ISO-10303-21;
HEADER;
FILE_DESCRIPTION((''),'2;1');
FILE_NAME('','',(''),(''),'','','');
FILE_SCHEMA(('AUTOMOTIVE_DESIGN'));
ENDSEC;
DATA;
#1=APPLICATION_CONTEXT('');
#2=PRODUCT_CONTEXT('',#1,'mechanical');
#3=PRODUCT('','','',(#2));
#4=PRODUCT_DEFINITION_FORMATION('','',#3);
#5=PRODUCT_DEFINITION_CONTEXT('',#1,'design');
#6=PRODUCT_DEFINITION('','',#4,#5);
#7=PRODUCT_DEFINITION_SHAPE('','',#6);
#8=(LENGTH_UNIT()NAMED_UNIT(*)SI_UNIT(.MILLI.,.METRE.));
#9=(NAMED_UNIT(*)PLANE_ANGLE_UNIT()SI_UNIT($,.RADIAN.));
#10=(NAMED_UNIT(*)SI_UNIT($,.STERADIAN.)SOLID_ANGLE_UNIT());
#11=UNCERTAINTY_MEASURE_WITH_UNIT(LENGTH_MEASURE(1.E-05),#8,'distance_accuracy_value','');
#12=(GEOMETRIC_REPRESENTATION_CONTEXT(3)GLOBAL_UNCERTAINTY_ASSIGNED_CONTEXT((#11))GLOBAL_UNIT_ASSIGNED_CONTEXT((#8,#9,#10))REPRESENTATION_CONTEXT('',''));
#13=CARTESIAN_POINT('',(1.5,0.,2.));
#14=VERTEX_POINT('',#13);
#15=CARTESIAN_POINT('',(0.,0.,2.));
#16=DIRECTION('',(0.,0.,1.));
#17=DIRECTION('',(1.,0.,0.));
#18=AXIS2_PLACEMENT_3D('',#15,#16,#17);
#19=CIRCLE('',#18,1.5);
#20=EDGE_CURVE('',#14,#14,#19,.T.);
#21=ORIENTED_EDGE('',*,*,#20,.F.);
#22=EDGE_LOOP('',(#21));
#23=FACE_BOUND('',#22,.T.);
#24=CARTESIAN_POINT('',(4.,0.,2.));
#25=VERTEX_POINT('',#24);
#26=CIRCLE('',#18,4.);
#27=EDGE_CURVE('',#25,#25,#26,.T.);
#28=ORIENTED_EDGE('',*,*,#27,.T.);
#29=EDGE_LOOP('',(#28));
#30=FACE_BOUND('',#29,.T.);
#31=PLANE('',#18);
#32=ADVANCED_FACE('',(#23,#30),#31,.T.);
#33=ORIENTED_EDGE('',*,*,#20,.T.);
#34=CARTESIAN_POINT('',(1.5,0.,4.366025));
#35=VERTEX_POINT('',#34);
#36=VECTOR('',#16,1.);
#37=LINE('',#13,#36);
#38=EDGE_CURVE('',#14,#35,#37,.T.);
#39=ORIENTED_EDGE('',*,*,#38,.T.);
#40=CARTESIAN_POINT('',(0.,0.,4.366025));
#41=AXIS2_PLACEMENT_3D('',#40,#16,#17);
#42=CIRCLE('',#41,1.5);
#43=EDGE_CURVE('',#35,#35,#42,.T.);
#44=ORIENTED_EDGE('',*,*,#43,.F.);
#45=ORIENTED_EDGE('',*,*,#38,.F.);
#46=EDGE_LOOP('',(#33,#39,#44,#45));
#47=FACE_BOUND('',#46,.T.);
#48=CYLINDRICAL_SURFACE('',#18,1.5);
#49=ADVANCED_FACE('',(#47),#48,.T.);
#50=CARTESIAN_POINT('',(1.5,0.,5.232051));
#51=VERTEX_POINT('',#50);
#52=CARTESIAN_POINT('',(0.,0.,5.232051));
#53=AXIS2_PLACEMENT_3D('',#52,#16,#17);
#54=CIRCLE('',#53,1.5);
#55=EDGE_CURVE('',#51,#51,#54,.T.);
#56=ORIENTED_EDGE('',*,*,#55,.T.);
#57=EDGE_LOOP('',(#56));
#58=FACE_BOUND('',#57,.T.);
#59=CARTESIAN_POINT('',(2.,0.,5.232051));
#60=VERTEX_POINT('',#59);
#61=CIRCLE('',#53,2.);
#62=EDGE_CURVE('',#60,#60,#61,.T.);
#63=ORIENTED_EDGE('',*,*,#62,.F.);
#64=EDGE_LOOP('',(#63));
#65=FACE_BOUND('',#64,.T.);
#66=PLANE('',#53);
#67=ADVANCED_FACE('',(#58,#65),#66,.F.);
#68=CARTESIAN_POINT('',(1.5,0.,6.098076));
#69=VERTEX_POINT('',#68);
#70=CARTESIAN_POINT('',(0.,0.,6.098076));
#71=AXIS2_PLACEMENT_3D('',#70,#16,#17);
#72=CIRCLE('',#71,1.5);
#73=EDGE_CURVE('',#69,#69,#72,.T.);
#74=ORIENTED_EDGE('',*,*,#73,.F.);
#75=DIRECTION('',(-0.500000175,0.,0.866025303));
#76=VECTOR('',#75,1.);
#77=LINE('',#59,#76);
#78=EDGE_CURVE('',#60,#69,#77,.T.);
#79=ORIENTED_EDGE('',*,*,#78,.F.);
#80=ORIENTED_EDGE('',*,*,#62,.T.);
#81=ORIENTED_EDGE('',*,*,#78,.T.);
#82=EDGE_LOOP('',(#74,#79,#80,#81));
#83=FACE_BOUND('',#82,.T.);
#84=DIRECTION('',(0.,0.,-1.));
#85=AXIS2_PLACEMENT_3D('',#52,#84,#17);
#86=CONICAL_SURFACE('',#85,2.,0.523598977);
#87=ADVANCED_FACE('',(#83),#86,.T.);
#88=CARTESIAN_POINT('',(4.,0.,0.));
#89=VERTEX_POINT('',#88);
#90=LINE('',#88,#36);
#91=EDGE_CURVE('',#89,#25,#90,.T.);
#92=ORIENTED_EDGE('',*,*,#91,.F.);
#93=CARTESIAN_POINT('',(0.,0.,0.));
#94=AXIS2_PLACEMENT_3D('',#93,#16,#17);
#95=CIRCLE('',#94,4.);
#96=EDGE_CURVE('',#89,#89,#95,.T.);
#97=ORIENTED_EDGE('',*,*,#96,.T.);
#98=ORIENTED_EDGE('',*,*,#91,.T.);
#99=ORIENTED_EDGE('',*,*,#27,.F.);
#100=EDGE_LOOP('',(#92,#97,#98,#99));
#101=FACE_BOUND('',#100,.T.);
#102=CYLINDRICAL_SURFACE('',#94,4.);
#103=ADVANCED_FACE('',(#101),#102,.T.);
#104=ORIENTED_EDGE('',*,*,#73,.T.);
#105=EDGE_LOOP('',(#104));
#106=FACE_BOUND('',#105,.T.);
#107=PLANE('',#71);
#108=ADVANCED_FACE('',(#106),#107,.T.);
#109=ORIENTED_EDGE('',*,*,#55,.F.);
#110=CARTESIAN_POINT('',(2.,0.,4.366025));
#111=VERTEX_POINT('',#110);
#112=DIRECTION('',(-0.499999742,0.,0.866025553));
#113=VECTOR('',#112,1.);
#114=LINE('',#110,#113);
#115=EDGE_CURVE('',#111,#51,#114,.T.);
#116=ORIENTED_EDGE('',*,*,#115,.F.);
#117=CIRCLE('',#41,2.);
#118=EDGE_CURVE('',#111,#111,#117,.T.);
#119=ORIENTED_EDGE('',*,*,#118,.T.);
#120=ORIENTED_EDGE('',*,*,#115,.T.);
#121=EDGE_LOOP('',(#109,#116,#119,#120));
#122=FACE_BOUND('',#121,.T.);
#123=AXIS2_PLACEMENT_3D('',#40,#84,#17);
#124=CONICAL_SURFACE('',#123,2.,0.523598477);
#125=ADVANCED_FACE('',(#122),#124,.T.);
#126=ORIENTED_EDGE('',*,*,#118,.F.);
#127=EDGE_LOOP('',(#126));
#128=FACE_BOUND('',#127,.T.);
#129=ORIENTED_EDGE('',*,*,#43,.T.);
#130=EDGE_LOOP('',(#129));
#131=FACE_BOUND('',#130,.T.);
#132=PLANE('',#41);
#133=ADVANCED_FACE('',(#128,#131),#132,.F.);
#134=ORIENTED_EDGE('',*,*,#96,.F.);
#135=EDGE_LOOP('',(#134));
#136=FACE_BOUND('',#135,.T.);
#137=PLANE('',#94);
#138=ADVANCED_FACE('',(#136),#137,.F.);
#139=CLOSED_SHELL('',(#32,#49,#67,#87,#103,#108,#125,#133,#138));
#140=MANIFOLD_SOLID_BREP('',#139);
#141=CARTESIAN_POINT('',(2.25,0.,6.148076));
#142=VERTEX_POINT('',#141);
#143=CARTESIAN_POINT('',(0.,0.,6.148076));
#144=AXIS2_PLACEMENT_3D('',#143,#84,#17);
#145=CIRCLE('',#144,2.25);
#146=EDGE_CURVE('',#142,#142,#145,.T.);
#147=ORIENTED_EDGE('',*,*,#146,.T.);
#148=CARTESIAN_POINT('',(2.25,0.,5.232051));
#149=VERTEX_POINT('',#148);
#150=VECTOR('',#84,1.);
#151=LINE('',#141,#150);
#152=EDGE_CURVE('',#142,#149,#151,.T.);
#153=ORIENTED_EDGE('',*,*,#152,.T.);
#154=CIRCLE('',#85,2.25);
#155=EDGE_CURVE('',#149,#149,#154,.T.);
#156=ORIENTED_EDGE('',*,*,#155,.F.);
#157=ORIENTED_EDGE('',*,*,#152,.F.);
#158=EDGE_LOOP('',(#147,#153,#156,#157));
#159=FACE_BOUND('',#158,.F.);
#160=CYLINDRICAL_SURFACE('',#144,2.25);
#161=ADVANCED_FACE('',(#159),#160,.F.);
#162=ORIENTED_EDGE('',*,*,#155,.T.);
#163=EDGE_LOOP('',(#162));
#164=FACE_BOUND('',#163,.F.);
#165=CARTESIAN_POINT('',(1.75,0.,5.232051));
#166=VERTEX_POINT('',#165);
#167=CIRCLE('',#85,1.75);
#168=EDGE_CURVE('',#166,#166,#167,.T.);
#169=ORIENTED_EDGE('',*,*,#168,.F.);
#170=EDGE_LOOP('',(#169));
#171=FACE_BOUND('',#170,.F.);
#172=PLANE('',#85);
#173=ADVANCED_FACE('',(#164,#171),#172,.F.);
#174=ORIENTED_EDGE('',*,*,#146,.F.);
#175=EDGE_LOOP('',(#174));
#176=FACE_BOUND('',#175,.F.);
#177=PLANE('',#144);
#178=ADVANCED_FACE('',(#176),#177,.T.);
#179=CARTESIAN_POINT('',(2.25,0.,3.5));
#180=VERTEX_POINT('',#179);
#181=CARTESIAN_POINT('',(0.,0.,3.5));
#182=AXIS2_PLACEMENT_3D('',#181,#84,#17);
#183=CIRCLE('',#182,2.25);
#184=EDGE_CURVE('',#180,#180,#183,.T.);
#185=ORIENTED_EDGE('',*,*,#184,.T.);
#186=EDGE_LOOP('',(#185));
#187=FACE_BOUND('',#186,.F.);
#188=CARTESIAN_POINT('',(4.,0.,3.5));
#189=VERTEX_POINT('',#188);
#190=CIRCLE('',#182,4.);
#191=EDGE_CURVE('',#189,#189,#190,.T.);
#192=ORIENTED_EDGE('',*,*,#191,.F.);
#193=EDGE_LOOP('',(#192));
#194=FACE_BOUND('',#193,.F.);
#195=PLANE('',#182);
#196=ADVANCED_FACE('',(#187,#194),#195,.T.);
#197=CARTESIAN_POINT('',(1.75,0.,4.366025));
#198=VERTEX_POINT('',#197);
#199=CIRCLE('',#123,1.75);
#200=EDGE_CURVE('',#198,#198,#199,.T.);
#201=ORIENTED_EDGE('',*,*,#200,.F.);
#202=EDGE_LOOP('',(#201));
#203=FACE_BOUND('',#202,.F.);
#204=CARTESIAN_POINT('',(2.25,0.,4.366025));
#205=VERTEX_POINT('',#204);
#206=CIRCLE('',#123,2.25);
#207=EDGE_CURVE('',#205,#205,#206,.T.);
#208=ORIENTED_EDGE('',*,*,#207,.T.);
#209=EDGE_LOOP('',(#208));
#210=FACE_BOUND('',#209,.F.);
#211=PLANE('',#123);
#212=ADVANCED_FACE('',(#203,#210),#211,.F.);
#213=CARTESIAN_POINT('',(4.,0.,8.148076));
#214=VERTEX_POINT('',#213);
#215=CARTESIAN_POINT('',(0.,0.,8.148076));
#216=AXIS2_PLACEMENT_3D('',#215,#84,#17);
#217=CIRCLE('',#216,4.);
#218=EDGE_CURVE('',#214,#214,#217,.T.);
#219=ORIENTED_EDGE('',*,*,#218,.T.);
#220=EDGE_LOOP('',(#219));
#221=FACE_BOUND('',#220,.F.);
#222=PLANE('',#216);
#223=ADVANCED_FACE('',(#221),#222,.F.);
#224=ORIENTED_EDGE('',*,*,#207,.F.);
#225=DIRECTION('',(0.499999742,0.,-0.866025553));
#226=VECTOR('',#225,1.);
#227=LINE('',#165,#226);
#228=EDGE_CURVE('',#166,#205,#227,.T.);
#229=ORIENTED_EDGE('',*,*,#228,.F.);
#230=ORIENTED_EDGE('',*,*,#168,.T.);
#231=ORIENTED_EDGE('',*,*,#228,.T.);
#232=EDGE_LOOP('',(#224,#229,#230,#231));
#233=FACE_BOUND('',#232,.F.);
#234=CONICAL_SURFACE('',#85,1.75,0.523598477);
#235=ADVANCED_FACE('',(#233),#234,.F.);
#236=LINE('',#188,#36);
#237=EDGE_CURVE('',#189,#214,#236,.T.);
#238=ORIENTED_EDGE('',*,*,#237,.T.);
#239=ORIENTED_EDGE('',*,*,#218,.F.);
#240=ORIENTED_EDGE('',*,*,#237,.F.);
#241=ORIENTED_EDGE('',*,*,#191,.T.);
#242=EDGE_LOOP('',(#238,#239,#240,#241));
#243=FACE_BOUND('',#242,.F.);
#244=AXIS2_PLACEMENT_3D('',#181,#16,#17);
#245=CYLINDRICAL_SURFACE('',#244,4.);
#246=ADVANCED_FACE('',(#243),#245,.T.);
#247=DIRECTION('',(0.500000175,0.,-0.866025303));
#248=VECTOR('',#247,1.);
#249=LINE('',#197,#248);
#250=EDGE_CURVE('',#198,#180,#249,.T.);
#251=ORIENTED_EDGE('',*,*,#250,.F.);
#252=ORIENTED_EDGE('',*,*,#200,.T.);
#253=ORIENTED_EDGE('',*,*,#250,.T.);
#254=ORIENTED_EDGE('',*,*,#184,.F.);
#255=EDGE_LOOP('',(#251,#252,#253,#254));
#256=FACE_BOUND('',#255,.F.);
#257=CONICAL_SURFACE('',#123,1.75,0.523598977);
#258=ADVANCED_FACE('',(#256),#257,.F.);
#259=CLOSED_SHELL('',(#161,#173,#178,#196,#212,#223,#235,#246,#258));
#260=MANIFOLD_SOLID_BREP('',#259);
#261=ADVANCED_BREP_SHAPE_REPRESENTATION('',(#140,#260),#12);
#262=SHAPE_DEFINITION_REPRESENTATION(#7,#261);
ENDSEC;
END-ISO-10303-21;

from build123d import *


with BuildPart() as f1:
    # F0 (on Front) → F1 (revolve)
    with BuildSketch(Plane.XZ):
        Polygon((0, 2), (0, 0), (1.5, 0), (4, 0), (4, 2), (1.5, 2), (1.5, 4.366025), (1.5, 5.232051), (1.5, 6.098076), (0, 6.098076), align=None)
        Polygon((2, 5.232051), (1.5, 6.098076), (1.5, 5.232051), (1.75, 5.232051), align=None)
        Polygon((2, 4.366025), (1.5, 5.232051), (1.5, 4.366025), (1.75, 4.366025), align=None)
    revolve(axis=Axis((0, 0, 3.049038), (0, 0, 1)))


with BuildPart() as f2:
    # F0 (on Front) → F2 (revolve)
    with BuildSketch(Plane.XZ):
        Polygon((2.25, 5.232051), (2, 5.232051), (1.75, 5.232051), (2.25, 4.366025), (2, 4.366025), (1.75, 4.366025), (2.25, 3.5), (4, 3.5), (4, 8.148076), (0, 8.148076), (0, 6.148076), (2.25, 6.148076), align=None)
    revolve(axis=Axis((0, 0, 7.148076), (0, 0, -1)))


solid = Compound([f1.part, f2.part])
